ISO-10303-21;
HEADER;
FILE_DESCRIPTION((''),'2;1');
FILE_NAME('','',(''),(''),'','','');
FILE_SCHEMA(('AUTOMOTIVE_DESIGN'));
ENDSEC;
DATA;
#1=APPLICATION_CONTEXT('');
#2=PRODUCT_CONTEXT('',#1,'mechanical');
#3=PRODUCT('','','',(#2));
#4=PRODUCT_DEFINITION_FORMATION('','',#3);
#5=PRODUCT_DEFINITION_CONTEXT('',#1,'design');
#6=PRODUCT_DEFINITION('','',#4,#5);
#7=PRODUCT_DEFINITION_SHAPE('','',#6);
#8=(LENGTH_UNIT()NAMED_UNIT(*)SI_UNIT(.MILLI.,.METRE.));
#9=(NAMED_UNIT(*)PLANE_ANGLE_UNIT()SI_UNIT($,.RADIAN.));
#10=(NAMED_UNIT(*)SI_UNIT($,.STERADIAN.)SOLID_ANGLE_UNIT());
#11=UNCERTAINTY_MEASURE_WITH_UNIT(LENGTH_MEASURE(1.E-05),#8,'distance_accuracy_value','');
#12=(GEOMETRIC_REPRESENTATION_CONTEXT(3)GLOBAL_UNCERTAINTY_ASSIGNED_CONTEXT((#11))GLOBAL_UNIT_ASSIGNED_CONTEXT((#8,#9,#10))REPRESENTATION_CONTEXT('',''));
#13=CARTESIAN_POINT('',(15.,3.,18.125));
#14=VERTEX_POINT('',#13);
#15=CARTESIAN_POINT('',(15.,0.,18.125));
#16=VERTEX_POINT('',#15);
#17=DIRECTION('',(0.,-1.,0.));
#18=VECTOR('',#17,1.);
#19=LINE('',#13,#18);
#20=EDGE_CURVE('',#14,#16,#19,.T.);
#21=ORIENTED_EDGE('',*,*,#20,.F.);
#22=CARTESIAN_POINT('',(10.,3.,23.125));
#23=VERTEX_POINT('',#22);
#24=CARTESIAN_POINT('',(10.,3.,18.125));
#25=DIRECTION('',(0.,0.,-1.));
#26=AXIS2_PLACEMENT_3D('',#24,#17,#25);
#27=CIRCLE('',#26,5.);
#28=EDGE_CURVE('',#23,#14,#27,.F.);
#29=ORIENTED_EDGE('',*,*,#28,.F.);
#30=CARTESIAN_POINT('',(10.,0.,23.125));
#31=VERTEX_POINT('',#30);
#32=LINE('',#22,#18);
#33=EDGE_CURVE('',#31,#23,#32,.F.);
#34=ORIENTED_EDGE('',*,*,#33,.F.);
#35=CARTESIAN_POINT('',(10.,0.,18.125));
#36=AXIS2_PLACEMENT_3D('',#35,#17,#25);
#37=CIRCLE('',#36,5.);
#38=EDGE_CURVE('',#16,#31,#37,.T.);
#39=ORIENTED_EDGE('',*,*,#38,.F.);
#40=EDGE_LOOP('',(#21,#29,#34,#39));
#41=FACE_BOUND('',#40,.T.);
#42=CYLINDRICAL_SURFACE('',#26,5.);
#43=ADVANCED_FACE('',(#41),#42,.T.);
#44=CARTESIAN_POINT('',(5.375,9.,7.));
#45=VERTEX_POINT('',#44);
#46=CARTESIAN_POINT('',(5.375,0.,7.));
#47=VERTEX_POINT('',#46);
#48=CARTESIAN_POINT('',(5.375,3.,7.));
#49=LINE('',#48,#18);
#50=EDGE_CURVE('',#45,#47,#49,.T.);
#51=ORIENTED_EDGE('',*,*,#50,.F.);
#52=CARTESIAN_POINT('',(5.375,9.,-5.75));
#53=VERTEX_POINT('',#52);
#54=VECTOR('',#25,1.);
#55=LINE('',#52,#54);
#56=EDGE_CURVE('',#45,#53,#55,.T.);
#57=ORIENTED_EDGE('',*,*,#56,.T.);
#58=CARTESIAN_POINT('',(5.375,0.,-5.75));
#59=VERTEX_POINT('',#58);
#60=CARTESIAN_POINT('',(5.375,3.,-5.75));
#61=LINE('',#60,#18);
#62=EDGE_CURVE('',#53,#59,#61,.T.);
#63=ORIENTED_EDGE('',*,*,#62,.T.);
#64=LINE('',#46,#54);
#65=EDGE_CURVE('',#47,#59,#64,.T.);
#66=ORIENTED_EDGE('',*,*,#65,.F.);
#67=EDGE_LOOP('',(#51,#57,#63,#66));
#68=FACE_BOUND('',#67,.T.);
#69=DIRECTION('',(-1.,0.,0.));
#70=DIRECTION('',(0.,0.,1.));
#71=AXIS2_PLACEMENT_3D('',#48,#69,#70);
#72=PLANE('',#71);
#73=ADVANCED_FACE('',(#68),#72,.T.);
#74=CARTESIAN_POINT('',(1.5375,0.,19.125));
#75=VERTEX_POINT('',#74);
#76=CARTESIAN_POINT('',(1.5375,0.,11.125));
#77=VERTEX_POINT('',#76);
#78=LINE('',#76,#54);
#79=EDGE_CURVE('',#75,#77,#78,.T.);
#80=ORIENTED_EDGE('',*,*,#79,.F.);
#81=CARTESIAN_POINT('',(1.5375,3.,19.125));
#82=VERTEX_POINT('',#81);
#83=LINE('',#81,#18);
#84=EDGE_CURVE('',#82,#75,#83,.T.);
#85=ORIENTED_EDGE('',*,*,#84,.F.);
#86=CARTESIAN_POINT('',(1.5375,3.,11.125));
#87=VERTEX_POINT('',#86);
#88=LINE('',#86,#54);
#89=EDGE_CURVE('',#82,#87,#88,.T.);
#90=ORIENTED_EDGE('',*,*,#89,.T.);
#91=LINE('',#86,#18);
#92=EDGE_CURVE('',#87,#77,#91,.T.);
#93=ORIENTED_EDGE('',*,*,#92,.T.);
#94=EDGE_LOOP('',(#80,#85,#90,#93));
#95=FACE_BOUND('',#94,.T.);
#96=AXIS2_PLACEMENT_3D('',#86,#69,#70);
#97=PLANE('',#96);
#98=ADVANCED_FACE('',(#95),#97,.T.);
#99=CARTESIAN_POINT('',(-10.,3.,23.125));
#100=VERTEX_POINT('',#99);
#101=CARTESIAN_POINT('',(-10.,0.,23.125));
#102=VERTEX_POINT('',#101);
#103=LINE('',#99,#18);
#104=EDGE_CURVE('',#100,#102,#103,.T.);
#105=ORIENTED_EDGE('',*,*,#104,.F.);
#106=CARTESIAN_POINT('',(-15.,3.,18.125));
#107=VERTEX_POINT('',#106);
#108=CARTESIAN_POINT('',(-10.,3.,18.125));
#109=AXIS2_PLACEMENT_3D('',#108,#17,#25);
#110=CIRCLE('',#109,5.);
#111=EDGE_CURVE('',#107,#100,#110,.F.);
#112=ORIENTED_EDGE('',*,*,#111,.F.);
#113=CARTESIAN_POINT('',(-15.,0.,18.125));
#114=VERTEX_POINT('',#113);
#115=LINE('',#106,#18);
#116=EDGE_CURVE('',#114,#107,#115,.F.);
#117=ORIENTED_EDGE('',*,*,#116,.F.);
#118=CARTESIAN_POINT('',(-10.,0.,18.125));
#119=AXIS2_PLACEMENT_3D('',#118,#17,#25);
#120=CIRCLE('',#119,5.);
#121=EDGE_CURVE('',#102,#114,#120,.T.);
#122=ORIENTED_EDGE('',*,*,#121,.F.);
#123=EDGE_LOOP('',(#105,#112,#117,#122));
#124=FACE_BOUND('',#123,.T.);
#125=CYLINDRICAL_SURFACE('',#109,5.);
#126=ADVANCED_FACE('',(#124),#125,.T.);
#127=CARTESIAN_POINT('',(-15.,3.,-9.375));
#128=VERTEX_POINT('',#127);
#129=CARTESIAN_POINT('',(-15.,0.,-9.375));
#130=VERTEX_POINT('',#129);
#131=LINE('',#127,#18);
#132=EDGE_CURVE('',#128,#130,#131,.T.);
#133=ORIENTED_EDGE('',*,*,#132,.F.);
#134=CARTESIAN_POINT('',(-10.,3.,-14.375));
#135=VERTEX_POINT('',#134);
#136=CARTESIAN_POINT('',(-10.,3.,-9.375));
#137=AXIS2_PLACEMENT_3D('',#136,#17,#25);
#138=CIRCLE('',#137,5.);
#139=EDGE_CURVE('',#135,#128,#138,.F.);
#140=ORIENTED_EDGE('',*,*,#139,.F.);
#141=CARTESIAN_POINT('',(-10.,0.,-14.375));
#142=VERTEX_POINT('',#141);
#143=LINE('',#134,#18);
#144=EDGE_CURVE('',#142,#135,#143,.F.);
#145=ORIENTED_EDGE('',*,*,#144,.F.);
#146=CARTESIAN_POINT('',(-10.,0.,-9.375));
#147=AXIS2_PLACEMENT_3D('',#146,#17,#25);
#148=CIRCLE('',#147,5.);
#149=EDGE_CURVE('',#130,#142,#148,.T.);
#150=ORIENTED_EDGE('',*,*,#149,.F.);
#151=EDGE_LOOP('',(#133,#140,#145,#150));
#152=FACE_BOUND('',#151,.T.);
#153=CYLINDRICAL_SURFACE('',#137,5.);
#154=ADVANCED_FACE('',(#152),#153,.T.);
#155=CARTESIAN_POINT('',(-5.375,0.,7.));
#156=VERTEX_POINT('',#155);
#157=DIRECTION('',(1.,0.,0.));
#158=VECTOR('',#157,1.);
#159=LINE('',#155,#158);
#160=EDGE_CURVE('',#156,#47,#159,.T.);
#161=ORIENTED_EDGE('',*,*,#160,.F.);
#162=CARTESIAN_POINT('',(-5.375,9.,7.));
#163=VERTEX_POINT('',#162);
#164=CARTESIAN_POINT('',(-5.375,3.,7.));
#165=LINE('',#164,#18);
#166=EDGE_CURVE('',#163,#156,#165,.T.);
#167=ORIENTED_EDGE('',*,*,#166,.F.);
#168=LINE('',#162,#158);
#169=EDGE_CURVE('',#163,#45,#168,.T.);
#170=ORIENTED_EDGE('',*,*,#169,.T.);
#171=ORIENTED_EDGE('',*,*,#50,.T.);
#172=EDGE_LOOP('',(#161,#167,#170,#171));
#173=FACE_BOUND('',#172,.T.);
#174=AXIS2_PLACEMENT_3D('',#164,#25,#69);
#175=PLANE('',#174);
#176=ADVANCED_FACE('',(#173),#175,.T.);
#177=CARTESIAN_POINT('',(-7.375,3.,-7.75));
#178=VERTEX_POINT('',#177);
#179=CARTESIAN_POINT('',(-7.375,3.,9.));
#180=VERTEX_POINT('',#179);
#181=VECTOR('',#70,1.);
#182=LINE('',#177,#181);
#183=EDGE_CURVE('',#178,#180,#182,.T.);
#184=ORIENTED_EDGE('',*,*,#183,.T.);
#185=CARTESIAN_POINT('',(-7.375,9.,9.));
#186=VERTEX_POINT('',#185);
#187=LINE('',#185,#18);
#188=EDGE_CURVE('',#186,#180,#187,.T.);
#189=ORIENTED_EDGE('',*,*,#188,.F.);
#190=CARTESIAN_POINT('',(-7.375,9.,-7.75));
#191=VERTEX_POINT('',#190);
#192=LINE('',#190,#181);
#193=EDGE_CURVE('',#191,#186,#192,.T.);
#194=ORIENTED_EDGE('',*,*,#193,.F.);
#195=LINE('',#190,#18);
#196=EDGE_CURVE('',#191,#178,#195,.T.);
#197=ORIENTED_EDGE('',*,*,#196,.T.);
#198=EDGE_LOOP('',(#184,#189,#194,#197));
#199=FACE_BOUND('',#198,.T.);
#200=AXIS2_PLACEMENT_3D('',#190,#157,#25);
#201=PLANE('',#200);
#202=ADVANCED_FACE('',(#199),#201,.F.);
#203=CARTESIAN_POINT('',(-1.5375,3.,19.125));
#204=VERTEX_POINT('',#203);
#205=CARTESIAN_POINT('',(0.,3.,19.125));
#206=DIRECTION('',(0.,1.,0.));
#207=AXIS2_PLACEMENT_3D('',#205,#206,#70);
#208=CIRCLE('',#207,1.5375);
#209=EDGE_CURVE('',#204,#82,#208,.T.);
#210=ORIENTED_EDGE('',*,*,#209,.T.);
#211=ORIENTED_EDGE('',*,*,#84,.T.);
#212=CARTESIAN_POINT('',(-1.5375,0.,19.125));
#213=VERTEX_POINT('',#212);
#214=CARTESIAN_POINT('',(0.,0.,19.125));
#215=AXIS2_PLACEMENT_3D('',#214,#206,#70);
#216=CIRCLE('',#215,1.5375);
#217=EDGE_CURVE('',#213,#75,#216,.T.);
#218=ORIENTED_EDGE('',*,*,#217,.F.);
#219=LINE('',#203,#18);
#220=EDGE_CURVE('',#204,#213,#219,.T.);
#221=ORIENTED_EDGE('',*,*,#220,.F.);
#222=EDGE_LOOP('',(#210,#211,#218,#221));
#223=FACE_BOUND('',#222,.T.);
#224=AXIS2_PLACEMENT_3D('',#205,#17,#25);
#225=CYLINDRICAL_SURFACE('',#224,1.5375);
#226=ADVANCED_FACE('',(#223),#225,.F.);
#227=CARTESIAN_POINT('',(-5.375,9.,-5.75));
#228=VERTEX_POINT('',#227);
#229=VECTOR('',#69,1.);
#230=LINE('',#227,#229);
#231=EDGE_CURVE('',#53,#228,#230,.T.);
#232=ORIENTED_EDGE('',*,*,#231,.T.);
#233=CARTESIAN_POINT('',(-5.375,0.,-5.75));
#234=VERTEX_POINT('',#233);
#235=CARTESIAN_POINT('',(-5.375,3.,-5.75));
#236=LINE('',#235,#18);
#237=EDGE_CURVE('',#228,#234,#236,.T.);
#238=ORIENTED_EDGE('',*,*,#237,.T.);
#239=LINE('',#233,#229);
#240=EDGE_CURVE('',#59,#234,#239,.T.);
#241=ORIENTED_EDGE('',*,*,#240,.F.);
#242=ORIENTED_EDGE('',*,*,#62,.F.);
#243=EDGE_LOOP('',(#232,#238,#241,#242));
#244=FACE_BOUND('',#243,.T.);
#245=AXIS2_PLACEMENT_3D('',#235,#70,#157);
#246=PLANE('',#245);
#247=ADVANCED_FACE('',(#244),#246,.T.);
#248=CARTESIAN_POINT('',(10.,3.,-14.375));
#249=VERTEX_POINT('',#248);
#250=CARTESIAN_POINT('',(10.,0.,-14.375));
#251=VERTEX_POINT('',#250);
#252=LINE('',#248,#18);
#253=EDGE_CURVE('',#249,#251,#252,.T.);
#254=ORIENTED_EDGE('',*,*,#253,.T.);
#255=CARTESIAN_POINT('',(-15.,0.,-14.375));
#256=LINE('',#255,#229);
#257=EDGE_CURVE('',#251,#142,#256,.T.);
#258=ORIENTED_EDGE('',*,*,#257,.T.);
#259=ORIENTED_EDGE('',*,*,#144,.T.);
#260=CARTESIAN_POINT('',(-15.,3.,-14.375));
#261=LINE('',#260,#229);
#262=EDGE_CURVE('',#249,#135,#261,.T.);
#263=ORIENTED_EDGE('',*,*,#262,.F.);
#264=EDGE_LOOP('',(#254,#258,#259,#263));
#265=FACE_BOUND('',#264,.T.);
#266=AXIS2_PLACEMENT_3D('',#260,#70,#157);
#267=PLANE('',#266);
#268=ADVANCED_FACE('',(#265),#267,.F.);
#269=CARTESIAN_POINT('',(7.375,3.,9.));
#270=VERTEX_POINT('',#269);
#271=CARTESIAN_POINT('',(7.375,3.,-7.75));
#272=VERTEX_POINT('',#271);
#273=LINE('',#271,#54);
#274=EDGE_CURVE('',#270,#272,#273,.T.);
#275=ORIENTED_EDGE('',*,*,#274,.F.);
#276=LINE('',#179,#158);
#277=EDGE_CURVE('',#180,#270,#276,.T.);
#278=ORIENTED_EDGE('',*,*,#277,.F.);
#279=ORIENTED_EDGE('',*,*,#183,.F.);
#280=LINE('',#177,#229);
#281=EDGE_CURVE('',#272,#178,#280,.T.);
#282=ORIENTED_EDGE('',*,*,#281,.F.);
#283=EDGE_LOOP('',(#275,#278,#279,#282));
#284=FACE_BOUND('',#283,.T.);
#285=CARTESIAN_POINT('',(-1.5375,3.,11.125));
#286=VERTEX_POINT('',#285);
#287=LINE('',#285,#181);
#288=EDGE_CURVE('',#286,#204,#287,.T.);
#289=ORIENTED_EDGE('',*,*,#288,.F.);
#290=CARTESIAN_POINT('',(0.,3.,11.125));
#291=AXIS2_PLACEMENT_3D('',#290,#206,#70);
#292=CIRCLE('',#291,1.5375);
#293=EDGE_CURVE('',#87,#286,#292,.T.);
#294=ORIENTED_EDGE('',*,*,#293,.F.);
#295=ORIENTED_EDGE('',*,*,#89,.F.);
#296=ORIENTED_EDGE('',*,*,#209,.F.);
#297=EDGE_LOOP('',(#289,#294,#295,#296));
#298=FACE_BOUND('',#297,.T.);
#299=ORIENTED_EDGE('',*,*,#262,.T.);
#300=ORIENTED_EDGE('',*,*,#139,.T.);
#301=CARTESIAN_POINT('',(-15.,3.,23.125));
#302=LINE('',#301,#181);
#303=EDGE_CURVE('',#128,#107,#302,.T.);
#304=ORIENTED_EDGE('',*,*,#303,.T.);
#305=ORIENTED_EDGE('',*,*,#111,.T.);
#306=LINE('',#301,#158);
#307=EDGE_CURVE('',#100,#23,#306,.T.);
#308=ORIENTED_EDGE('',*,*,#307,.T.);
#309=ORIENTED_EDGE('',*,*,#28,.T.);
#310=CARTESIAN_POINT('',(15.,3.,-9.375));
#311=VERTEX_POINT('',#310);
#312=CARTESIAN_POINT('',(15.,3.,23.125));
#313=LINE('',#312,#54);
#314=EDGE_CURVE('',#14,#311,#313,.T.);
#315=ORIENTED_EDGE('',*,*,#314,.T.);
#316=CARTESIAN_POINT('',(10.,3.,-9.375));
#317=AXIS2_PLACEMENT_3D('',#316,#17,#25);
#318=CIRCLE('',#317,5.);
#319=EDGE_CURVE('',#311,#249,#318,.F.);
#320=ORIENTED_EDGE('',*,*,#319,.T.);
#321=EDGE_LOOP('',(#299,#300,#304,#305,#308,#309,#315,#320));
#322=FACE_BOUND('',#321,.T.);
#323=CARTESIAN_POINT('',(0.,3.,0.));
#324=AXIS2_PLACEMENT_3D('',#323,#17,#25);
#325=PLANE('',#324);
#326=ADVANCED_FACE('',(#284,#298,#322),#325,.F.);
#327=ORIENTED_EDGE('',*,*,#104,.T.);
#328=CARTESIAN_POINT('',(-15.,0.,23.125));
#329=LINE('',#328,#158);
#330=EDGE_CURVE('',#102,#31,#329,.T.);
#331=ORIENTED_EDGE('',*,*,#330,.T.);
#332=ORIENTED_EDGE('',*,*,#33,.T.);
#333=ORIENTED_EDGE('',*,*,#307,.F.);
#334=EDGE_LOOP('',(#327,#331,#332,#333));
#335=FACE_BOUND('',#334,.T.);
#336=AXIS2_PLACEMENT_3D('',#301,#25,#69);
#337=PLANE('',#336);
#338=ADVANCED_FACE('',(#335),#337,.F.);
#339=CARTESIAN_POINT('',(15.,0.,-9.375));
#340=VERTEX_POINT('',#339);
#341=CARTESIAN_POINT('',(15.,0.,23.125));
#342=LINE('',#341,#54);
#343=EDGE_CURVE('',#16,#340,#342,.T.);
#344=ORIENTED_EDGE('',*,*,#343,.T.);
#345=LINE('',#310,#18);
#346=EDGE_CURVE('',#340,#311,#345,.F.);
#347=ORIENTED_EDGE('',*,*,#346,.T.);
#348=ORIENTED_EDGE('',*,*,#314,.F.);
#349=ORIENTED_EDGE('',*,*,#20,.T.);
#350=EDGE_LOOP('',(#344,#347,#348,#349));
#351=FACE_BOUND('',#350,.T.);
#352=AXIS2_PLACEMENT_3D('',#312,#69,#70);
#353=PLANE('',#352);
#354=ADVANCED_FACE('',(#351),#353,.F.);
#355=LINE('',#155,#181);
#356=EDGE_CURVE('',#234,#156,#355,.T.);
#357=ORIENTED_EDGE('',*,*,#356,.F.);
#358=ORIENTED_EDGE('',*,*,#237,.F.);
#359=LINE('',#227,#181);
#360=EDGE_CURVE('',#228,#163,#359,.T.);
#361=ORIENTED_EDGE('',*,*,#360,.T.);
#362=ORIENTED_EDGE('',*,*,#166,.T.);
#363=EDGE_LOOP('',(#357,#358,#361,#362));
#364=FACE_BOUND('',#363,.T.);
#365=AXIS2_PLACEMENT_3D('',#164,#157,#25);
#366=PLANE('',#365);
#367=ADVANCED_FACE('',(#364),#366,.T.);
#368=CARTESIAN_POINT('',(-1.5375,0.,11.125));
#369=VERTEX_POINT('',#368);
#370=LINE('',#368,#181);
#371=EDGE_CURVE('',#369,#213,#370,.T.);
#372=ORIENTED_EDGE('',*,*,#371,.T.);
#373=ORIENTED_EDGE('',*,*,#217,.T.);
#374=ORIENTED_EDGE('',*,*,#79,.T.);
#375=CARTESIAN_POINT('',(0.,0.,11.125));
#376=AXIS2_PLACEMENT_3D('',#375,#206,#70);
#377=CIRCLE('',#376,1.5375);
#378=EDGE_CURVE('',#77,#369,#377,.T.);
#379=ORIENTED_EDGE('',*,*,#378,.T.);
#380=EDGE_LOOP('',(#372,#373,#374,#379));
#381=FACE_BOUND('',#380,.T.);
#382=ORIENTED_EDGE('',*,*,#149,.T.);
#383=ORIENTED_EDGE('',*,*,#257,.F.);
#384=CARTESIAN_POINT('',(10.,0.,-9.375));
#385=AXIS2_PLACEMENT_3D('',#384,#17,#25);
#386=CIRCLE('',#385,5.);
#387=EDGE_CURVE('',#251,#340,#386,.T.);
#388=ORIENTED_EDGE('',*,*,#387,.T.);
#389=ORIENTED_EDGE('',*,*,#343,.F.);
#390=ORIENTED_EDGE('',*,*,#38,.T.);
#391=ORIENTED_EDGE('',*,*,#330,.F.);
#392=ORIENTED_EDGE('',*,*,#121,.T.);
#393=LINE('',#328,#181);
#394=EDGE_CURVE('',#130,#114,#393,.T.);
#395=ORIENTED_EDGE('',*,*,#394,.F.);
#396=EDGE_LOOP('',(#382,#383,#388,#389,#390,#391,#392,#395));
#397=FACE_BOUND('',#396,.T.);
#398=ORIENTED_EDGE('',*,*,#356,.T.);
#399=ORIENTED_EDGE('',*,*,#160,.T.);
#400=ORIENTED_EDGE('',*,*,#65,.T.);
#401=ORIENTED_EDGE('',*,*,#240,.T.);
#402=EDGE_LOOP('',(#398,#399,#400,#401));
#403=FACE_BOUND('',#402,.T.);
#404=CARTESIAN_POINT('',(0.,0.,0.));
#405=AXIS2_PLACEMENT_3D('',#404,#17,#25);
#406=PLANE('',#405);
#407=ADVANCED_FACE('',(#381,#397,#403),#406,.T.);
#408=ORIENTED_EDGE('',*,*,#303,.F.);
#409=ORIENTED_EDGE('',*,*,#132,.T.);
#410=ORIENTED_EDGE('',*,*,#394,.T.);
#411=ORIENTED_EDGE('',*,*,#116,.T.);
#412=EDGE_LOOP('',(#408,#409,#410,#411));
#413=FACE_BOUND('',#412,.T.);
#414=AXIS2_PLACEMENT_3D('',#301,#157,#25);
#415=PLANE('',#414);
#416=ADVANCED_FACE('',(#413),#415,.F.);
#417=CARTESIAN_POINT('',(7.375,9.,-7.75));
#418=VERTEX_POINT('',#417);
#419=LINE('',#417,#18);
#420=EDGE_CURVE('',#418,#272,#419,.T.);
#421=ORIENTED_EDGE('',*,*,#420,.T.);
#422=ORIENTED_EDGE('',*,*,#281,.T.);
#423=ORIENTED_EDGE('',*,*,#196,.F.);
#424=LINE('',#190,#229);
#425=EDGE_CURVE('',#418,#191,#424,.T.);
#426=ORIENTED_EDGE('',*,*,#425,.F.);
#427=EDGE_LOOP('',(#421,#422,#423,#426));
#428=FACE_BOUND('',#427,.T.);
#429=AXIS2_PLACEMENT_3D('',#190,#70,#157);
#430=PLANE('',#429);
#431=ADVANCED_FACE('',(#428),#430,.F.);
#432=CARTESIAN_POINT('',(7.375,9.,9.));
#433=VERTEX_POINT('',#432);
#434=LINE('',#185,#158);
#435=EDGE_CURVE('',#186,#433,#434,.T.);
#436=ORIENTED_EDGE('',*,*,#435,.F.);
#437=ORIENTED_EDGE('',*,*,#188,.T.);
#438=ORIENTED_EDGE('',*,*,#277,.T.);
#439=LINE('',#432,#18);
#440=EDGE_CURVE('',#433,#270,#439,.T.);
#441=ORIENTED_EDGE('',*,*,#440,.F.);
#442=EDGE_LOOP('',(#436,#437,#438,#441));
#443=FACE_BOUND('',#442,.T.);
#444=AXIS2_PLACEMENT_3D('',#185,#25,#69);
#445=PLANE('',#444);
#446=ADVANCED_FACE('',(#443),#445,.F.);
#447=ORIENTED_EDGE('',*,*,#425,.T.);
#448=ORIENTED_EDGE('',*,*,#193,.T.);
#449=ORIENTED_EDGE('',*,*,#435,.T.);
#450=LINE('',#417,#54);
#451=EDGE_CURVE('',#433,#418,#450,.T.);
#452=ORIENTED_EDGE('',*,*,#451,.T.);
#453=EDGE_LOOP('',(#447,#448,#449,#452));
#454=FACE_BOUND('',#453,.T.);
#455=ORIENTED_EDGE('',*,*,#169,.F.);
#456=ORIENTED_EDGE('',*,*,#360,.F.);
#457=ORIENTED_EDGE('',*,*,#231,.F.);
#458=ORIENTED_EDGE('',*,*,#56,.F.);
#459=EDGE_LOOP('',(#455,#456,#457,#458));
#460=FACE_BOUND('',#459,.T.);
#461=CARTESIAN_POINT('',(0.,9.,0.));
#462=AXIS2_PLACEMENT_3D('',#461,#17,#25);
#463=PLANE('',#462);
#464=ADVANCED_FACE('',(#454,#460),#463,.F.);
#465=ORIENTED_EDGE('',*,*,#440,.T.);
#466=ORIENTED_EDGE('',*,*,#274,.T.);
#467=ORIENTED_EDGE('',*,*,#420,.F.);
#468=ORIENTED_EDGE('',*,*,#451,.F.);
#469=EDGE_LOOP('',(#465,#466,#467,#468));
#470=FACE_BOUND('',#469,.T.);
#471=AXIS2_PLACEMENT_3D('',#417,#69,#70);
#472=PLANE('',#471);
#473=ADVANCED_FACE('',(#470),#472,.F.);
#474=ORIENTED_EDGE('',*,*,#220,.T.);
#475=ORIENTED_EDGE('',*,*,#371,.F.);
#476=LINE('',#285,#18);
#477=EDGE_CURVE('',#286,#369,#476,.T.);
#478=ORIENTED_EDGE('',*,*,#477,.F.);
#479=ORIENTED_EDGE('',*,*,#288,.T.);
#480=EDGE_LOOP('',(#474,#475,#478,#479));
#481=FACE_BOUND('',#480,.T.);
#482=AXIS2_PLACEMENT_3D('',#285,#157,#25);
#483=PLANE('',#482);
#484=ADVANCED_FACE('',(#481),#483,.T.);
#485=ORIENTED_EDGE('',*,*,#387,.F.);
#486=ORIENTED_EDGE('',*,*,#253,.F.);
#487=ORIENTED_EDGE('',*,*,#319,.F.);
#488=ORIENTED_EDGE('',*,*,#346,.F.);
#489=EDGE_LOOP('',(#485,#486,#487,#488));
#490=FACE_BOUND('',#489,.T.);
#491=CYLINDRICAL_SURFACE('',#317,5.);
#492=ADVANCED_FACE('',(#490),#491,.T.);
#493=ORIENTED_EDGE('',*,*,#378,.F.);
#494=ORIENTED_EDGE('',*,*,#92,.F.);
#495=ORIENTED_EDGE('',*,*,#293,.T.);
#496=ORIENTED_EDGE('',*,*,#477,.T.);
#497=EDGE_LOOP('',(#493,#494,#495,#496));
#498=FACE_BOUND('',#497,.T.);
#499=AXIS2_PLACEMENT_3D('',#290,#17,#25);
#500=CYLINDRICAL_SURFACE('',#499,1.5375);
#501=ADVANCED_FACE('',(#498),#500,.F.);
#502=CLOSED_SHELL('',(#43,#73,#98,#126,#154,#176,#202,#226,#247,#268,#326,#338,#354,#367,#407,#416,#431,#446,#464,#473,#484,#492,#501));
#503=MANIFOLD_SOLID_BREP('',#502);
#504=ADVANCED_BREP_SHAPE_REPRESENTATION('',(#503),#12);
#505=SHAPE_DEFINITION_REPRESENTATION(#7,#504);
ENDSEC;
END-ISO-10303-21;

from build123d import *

# Parameters (mm, degrees)
SKETCH1_W           = 30
SKETCH1_H           = 37.5
SKETCH1_W_2         = 10.75
SKETCH1_H_2         = 12.75
BOSS_EXTRUDE1_DEPTH = 3
FILLET1_R           = 5
SKETCH2_W           = 14.75
SKETCH2_H           = 16.75
SKETCH2_W_2         = 10.75
SKETCH2_H_2         = 12.75
BOSS_EXTRUDE2_DEPTH = 6


with BuildPart() as part:
    # Sketch1 → Boss-Extrude1 (new body)
    with BuildSketch(Plane(origin=(0, 0, 0), x_dir=(1, 0, 0), z_dir=(0, 1, 0))):
        with Locations((0, -4.375)):
            Rectangle(SKETCH1_W, SKETCH1_H)
        with BuildLine():
            Line((1.5375, -11.125), (1.5375, -19.125))
            ThreePointArc((1.5375, -19.125), (0, -20.6625), (-1.5375, -19.125))
            Line((-1.5375, -19.125), (-1.5375, -11.125))
            ThreePointArc((-1.5375, -11.125), (0, -9.5875), (1.5375, -11.125))
        make_face(mode=Mode.SUBTRACT)
        with Locations((0, -0.625)):
            Rectangle(SKETCH1_W_2, SKETCH1_H_2, mode=Mode.SUBTRACT)
    extrude(amount=BOSS_EXTRUDE1_DEPTH)

    # Fillet1
    fillet1_edges = [part.edges().sort_by_distance(p)[0] for p in [
        (15, 1.5, 23.125),
        (-15, 1.5, 23.125),
        (-15, 1.5, -14.375),
        (15, 1.5, -14.375),
    ]]
    fillet(fillet1_edges, radius=FILLET1_R)

    # Sketch2 → Boss-Extrude2 (add)
    with BuildSketch(Plane(origin=(0, 3, 0), x_dir=(1, 0, 0), z_dir=(0, 1, 0))):
        with Locations((0, -0.625)):
            Rectangle(SKETCH2_W, SKETCH2_H)
        with Locations((0, -0.625)):
            Rectangle(SKETCH2_W_2, SKETCH2_H_2, mode=Mode.SUBTRACT)
    extrude(amount=BOSS_EXTRUDE2_DEPTH)


solid = part.part
